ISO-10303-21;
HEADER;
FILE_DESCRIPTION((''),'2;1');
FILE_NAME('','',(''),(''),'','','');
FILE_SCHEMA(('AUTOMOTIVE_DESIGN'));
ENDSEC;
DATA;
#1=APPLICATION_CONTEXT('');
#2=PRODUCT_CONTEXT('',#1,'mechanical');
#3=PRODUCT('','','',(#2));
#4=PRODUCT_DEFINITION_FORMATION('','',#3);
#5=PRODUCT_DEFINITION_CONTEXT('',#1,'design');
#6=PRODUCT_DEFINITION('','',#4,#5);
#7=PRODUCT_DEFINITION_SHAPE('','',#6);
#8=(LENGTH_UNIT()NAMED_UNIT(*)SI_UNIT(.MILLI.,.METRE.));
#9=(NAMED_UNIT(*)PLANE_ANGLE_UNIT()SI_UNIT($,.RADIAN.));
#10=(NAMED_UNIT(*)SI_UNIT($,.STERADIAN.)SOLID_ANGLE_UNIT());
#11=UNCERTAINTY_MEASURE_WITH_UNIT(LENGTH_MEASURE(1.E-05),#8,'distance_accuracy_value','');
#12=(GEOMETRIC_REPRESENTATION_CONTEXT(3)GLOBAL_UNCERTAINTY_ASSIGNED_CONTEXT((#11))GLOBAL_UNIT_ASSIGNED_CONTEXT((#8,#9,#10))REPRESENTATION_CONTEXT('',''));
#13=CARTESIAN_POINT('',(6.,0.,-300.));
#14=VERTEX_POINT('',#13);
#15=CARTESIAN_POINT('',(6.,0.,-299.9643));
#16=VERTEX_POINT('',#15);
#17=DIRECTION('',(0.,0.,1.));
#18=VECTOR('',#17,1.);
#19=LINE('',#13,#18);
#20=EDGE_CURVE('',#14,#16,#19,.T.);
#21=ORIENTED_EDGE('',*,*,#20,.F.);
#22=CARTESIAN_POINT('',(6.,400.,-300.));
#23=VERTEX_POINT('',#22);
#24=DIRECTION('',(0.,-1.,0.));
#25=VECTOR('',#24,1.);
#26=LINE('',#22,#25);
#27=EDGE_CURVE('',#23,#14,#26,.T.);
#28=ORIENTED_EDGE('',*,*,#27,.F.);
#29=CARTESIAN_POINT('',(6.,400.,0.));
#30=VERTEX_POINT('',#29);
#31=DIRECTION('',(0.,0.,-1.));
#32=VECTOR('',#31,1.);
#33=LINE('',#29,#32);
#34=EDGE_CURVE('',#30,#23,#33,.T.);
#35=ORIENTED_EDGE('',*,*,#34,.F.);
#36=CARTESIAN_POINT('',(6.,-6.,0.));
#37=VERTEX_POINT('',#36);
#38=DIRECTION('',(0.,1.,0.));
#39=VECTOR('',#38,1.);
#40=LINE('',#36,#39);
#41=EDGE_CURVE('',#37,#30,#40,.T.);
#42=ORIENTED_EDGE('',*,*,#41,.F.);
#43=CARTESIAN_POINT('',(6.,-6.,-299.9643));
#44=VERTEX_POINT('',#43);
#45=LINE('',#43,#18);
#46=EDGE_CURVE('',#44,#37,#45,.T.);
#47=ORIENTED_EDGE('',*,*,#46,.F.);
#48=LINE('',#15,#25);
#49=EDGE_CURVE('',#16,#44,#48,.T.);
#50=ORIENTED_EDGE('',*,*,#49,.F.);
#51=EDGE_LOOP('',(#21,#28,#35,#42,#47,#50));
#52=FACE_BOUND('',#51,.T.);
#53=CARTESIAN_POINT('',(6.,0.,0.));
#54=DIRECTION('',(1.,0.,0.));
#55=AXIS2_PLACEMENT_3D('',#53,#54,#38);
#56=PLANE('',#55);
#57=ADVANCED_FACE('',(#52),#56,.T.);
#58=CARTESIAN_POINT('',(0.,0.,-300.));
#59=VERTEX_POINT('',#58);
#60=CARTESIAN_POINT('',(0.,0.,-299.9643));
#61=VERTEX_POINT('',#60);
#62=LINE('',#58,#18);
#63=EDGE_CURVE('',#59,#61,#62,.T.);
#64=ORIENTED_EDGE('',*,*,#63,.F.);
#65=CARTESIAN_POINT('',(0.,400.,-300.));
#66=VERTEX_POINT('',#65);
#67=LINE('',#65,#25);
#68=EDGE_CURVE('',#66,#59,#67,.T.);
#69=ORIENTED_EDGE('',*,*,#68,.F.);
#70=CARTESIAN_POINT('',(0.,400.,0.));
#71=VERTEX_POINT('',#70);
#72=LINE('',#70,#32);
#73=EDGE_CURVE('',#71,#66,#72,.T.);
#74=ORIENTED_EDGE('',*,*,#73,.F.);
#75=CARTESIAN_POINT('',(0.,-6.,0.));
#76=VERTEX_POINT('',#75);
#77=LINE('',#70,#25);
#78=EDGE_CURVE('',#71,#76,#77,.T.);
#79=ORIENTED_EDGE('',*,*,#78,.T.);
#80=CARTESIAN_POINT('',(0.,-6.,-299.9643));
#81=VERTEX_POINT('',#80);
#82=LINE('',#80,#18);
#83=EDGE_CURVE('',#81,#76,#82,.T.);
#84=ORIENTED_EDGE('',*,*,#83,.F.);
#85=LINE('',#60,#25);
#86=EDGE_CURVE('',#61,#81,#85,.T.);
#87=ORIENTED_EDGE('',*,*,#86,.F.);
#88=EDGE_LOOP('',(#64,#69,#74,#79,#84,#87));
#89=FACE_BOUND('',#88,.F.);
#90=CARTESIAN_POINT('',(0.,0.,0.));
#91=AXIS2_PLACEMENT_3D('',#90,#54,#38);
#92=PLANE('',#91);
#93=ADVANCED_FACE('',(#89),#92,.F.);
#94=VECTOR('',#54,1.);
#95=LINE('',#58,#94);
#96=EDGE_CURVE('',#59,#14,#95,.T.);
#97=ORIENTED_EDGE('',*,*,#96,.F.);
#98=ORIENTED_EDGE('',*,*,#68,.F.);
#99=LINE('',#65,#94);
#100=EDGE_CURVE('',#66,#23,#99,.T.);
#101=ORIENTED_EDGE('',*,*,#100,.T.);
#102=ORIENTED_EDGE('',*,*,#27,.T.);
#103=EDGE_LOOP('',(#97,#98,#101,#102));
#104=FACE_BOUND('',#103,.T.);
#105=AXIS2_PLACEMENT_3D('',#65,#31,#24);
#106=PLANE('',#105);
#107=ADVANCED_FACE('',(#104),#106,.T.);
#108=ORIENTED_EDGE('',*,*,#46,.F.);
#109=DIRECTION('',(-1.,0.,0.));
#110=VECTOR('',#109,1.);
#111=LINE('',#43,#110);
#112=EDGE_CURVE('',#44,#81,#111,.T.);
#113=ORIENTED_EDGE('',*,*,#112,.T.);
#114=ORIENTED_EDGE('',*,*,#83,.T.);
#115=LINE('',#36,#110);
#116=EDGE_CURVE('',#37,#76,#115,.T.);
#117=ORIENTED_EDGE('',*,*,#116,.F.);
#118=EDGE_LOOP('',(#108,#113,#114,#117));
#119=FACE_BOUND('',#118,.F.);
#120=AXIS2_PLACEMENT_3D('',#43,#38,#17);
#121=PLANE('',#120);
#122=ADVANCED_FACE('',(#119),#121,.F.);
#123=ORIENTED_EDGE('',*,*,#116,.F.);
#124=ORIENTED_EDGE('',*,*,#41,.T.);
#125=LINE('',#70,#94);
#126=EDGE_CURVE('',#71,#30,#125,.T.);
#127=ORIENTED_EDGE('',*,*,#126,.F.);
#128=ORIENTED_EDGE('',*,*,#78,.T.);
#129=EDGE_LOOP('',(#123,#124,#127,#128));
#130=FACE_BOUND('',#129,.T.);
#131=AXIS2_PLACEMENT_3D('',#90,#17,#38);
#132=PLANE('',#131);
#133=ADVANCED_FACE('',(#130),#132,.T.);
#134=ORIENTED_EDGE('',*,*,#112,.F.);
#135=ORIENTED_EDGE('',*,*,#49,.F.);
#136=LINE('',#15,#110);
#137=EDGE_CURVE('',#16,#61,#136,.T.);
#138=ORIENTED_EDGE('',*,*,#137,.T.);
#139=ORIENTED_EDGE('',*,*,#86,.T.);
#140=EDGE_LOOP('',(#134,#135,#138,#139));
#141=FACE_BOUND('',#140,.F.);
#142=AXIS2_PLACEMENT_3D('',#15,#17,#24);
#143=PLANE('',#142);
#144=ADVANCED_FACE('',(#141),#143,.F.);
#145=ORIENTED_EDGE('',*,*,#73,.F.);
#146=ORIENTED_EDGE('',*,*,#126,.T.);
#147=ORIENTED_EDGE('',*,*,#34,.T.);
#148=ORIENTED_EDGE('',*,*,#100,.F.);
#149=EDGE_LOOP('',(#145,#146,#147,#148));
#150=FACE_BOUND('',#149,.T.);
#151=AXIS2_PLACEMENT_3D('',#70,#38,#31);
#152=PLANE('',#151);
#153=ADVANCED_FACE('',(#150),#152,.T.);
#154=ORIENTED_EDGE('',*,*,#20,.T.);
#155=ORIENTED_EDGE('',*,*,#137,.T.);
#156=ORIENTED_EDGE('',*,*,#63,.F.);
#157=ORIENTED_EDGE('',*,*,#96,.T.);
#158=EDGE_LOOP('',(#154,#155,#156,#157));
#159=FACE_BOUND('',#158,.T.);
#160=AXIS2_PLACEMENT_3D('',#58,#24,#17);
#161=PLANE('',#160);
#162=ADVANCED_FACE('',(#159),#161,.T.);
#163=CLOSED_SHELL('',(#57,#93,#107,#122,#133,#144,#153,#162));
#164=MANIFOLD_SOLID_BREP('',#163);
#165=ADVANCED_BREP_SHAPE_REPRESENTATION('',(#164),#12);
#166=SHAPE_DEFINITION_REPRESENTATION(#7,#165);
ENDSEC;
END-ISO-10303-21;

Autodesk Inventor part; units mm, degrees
ref_plane "YZ Plane" through (0, 0, 0) normal (1, 0, 0) x (0, 1, 0)
ref_plane "XZ Plane" through (0, 0, 0) normal (0, 1, 0) x (-1, 0, 0)
ref_plane "XY Plane" through (0, 0, 0) normal (0, 0, 1) x (1, 0, 0)
sketch "Sketch1" plane through (0, 0, 0) normal (1, 0, 0) x (0, 1, 0)
  line L0 (0, 0) -> (400, 0)
  line L1 (400, 0) -> (400, -300)
  line L2 (400, -300) -> (0, -300)
  line L3 (0, -300) -> (0, 0)
  dimension "d0" = 400
  dimension "d1" = 300
extrude "Extrusion1" add sketch "Sketch1" along normal blind 6
sketch "Sketch2" plane through (6, 0, 0) normal (1, 0, 0) x (0, 0, -1)
  line L0 (0, 0) -> (299.9643, 0)
  line L1 (299.9643, 0) -> (299.9643, -6)
  line L2 (299.9643, -6) -> (0, -6)
  line L3 (0, -6) -> (0, 0)
  dimension "d4" = 6
extrude "Extrusion2" add sketch "Sketch2" against normal blind 6
properties part number "cloison_porte-monnayeur" material "Wood (Birch)"
